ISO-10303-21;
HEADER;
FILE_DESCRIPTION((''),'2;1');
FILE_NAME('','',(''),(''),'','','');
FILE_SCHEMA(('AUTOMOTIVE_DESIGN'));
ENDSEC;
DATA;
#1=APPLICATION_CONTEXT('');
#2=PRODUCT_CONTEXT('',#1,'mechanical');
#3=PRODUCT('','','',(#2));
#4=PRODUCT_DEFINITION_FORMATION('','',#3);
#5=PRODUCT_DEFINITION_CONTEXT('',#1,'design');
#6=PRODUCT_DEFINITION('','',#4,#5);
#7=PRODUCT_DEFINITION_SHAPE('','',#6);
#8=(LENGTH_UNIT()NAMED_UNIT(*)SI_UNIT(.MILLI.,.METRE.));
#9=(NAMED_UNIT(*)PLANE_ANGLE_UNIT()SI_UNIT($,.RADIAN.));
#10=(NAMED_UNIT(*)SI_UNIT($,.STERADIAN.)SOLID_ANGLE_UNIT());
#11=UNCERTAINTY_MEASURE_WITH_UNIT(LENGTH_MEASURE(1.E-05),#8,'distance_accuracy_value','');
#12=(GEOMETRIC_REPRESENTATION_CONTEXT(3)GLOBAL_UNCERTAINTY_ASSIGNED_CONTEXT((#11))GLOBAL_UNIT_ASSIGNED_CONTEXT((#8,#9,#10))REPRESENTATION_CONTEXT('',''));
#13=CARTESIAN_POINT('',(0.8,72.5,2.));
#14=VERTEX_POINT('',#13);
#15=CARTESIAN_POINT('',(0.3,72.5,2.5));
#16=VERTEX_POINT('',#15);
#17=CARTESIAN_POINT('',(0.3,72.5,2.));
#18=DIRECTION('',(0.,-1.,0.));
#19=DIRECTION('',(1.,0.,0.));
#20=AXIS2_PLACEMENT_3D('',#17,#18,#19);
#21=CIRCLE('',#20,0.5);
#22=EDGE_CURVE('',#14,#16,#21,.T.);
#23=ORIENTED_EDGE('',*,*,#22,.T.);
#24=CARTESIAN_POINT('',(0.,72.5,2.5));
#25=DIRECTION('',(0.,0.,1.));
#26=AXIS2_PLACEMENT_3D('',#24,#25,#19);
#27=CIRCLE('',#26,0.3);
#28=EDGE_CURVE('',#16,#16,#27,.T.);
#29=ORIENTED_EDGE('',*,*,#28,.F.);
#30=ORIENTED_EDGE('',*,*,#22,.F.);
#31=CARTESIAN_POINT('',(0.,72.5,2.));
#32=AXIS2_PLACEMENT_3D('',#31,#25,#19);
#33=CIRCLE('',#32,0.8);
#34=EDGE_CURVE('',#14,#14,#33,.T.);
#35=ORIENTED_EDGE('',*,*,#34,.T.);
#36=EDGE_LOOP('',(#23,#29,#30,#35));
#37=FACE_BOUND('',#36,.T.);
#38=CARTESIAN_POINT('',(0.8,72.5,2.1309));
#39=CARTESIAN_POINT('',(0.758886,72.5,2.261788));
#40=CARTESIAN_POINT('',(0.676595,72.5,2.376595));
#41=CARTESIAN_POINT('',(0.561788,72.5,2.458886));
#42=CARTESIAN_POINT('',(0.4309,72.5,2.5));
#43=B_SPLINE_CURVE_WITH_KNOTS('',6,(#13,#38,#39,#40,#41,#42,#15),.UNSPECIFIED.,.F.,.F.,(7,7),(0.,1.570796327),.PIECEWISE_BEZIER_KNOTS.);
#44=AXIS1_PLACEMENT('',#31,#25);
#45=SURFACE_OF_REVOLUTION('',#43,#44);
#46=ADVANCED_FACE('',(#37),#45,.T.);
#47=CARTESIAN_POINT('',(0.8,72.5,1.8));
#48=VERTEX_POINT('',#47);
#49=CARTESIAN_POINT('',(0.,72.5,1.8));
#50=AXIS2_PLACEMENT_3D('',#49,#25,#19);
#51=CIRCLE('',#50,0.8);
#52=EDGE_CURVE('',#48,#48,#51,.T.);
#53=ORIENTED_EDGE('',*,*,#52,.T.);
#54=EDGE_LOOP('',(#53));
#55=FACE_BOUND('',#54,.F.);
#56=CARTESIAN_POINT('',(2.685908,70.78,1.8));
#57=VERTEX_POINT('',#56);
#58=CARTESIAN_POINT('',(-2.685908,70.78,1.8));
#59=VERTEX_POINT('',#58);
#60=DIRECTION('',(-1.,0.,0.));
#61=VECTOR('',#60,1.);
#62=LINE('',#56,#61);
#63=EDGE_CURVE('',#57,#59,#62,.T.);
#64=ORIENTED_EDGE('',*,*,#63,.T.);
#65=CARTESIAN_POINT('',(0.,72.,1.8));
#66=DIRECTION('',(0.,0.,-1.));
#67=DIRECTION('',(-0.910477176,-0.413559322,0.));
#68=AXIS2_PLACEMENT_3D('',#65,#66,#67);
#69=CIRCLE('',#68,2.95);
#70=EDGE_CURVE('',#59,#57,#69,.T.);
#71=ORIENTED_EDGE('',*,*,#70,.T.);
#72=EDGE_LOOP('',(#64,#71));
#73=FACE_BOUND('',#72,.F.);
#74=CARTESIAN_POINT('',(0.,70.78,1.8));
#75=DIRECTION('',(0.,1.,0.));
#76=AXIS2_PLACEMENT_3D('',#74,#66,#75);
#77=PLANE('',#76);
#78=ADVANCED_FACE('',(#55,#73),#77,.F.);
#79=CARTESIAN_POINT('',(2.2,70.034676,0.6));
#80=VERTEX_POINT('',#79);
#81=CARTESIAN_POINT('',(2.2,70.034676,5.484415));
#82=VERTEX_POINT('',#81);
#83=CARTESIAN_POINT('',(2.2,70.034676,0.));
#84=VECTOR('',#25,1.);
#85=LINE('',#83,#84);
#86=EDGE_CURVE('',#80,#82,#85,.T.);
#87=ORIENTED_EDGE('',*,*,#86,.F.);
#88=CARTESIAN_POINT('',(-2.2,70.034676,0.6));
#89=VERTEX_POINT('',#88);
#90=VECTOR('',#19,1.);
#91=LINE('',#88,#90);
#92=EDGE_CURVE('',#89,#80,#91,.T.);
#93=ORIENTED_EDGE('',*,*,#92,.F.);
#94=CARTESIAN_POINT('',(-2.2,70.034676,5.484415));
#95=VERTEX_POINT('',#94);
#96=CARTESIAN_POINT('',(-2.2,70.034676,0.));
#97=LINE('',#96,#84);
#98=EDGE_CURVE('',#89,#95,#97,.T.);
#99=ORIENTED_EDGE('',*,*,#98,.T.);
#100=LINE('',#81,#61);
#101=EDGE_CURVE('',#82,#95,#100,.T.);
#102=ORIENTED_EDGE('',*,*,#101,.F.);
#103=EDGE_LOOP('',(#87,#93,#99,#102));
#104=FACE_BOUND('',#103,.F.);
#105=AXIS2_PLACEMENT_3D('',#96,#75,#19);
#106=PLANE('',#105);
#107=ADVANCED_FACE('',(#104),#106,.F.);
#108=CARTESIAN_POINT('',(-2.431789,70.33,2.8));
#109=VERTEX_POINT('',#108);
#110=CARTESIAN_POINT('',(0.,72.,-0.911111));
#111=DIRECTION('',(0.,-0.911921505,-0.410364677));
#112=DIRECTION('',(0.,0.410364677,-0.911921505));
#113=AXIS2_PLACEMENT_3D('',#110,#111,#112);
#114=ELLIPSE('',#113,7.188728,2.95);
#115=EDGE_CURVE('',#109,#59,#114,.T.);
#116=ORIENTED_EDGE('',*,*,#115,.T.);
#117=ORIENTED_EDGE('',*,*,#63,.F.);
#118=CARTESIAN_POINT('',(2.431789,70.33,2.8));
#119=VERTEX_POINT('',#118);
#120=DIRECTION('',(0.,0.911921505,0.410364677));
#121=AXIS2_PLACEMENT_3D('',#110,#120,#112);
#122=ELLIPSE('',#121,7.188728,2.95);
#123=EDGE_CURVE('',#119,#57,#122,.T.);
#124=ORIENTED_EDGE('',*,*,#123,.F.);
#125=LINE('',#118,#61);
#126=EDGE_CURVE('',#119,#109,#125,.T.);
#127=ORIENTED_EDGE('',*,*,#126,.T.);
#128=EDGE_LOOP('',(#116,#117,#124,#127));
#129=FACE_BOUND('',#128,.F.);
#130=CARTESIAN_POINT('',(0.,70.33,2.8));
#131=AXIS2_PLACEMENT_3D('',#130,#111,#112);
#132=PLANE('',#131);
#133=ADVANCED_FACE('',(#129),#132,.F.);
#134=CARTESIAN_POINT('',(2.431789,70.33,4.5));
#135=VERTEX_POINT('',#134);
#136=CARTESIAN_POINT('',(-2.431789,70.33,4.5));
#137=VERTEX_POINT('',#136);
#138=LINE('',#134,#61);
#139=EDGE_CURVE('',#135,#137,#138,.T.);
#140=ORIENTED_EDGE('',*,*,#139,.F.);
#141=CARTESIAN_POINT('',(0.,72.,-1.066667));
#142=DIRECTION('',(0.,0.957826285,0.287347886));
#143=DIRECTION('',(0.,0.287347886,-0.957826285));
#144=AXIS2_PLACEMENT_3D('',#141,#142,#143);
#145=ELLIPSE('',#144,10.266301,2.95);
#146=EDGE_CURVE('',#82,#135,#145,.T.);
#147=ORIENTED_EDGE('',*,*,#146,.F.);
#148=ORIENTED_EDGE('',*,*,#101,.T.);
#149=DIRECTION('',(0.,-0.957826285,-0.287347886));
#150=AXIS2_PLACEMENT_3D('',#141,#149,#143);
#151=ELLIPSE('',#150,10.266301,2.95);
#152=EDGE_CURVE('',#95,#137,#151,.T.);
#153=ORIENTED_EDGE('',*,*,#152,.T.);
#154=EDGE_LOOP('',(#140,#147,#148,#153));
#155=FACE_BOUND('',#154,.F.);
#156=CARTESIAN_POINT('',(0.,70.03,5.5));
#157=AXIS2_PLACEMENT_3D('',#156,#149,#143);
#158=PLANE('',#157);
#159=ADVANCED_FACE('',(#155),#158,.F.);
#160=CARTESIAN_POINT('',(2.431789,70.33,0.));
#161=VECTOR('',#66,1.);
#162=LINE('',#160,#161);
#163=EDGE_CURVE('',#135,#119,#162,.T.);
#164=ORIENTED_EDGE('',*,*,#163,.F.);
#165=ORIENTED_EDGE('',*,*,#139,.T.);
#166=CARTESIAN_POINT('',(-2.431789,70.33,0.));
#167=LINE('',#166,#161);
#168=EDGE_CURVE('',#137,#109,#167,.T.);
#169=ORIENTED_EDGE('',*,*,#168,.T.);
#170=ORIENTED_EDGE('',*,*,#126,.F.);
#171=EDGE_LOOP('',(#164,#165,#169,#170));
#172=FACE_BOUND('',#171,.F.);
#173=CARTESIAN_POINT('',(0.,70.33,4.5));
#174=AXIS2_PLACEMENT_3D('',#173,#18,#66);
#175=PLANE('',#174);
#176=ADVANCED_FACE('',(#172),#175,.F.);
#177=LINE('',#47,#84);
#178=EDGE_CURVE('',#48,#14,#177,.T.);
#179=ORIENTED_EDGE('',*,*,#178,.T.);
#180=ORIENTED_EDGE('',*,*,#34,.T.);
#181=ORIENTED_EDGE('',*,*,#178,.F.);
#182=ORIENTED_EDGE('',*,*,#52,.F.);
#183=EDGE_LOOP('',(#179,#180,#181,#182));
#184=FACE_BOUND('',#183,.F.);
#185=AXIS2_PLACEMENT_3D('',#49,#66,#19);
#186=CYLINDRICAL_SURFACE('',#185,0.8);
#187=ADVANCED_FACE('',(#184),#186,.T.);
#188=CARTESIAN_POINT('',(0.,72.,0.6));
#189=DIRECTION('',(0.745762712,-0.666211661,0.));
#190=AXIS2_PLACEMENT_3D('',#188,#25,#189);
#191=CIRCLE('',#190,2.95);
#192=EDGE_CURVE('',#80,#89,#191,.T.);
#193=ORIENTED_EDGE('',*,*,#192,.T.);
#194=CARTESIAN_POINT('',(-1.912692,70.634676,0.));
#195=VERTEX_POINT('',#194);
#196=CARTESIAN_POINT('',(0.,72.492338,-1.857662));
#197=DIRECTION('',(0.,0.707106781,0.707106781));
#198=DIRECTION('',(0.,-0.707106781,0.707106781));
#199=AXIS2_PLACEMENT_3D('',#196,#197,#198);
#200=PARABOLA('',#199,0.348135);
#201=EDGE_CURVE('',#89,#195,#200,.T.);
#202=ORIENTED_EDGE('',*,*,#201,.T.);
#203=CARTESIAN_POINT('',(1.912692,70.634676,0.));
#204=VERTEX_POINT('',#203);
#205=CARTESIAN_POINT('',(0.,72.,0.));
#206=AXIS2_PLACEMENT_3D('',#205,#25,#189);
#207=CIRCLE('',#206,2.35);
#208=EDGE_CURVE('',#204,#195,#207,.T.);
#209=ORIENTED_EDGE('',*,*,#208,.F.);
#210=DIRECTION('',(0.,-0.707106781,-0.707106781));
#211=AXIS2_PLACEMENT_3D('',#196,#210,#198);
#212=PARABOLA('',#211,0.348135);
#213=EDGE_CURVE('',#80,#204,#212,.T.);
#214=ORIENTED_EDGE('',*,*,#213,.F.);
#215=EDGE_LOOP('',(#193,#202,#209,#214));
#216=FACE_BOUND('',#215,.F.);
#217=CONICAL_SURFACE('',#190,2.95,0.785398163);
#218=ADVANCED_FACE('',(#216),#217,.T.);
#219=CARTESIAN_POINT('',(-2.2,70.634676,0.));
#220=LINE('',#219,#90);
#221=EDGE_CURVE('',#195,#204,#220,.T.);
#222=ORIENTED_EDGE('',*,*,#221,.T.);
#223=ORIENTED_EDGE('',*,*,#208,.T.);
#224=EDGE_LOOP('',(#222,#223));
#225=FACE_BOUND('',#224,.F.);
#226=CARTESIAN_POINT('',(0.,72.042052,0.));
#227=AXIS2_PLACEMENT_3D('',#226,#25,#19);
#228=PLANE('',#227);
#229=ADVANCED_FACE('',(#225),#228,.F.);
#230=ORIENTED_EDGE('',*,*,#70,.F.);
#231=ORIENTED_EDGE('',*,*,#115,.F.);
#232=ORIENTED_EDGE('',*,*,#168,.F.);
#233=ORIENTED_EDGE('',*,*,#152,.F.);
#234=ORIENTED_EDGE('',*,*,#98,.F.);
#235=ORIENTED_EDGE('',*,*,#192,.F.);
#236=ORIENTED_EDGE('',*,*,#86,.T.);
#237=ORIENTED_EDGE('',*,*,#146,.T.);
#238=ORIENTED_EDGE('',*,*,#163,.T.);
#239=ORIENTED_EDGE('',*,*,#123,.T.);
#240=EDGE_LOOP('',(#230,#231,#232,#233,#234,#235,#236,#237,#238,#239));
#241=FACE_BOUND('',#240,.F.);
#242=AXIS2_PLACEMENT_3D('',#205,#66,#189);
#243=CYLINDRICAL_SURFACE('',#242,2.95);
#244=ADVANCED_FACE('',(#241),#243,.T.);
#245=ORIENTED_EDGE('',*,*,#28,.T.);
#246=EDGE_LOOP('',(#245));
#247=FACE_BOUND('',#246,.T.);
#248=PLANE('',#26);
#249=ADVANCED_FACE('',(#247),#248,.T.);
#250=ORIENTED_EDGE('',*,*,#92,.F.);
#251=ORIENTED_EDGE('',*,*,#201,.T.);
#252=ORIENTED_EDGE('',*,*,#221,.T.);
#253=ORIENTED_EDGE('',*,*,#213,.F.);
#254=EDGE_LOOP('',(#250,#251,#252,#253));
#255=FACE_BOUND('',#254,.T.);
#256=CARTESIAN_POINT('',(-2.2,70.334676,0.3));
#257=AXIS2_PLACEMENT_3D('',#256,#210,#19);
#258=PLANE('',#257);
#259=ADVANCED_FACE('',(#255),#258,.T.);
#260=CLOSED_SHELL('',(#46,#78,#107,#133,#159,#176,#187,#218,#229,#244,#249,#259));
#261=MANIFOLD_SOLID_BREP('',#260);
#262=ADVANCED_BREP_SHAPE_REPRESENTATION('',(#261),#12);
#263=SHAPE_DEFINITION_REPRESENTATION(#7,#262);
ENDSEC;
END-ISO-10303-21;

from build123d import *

# Parameters (mm, degrees)
PAD003_DEPTH         = 5.5
POCKET004_DEPTH      = 2.951
POCKET004_DEPTH_BACK = 2.951
SKETCH013_R          = 0.8
PAD006_DEPTH         = 0.7
FILLET_R             = 0.5
CHAMFER004_SIZE      = 0.6


with BuildPart() as part:
    # Sketch004 → Pad003 (new body)
    with BuildSketch(Plane.XY):
        with BuildLine():
            ThreePointArc((2.2, -1.9653244007), (0, 2.95), (-2.2, -1.9653244007))
            Line((-2.2, -1.9653244007), (2.2, -1.9653244007))
        make_face()
    extrude(amount=PAD003_DEPTH)

    # Sketch014 → Pocket004 (cut, two sides)
    with BuildSketch(Plane.YZ) as pocket004_sk:
        Polygon((-1.97, 5.5), (-1.67, 4.5), (-1.67, 2.8), (-1.22, 1.8), (4, 1.8), (4, 5.5), align=None)
    extrude(amount=-POCKET004_DEPTH, mode=Mode.SUBTRACT)
    extrude(pocket004_sk.sketch, amount=POCKET004_DEPTH_BACK, mode=Mode.SUBTRACT)

    # Sketch013 (on Face7 of Pocket004) → Pad006 (join)
    with BuildSketch(Plane.XY.offset(1.8)):
        with Locations((0, 0.5)):
            Circle(SKETCH013_R)
    extrude(amount=PAD006_DEPTH)

    # Fillet
    fillet_edges = [part.edges().sort_by_distance(p)[0] for p in [
        (-0.8, 0.5, 2.5),
    ]]
    fillet(fillet_edges, radius=FILLET_R)

    # Chamfer004
    chamfer004_edges = [part.edges().sort_by_distance(p)[0] for p in [
        (0, 2.95, 0),
        (0, -1.965324, 0),
    ]]
    chamfer(chamfer004_edges, length=CHAMFER004_SIZE)


with BuildPart() as part_1:
    # Body031 placement: moved
    add(part.part.moved(Location((0, 72, 0))))


solid = part_1.part
